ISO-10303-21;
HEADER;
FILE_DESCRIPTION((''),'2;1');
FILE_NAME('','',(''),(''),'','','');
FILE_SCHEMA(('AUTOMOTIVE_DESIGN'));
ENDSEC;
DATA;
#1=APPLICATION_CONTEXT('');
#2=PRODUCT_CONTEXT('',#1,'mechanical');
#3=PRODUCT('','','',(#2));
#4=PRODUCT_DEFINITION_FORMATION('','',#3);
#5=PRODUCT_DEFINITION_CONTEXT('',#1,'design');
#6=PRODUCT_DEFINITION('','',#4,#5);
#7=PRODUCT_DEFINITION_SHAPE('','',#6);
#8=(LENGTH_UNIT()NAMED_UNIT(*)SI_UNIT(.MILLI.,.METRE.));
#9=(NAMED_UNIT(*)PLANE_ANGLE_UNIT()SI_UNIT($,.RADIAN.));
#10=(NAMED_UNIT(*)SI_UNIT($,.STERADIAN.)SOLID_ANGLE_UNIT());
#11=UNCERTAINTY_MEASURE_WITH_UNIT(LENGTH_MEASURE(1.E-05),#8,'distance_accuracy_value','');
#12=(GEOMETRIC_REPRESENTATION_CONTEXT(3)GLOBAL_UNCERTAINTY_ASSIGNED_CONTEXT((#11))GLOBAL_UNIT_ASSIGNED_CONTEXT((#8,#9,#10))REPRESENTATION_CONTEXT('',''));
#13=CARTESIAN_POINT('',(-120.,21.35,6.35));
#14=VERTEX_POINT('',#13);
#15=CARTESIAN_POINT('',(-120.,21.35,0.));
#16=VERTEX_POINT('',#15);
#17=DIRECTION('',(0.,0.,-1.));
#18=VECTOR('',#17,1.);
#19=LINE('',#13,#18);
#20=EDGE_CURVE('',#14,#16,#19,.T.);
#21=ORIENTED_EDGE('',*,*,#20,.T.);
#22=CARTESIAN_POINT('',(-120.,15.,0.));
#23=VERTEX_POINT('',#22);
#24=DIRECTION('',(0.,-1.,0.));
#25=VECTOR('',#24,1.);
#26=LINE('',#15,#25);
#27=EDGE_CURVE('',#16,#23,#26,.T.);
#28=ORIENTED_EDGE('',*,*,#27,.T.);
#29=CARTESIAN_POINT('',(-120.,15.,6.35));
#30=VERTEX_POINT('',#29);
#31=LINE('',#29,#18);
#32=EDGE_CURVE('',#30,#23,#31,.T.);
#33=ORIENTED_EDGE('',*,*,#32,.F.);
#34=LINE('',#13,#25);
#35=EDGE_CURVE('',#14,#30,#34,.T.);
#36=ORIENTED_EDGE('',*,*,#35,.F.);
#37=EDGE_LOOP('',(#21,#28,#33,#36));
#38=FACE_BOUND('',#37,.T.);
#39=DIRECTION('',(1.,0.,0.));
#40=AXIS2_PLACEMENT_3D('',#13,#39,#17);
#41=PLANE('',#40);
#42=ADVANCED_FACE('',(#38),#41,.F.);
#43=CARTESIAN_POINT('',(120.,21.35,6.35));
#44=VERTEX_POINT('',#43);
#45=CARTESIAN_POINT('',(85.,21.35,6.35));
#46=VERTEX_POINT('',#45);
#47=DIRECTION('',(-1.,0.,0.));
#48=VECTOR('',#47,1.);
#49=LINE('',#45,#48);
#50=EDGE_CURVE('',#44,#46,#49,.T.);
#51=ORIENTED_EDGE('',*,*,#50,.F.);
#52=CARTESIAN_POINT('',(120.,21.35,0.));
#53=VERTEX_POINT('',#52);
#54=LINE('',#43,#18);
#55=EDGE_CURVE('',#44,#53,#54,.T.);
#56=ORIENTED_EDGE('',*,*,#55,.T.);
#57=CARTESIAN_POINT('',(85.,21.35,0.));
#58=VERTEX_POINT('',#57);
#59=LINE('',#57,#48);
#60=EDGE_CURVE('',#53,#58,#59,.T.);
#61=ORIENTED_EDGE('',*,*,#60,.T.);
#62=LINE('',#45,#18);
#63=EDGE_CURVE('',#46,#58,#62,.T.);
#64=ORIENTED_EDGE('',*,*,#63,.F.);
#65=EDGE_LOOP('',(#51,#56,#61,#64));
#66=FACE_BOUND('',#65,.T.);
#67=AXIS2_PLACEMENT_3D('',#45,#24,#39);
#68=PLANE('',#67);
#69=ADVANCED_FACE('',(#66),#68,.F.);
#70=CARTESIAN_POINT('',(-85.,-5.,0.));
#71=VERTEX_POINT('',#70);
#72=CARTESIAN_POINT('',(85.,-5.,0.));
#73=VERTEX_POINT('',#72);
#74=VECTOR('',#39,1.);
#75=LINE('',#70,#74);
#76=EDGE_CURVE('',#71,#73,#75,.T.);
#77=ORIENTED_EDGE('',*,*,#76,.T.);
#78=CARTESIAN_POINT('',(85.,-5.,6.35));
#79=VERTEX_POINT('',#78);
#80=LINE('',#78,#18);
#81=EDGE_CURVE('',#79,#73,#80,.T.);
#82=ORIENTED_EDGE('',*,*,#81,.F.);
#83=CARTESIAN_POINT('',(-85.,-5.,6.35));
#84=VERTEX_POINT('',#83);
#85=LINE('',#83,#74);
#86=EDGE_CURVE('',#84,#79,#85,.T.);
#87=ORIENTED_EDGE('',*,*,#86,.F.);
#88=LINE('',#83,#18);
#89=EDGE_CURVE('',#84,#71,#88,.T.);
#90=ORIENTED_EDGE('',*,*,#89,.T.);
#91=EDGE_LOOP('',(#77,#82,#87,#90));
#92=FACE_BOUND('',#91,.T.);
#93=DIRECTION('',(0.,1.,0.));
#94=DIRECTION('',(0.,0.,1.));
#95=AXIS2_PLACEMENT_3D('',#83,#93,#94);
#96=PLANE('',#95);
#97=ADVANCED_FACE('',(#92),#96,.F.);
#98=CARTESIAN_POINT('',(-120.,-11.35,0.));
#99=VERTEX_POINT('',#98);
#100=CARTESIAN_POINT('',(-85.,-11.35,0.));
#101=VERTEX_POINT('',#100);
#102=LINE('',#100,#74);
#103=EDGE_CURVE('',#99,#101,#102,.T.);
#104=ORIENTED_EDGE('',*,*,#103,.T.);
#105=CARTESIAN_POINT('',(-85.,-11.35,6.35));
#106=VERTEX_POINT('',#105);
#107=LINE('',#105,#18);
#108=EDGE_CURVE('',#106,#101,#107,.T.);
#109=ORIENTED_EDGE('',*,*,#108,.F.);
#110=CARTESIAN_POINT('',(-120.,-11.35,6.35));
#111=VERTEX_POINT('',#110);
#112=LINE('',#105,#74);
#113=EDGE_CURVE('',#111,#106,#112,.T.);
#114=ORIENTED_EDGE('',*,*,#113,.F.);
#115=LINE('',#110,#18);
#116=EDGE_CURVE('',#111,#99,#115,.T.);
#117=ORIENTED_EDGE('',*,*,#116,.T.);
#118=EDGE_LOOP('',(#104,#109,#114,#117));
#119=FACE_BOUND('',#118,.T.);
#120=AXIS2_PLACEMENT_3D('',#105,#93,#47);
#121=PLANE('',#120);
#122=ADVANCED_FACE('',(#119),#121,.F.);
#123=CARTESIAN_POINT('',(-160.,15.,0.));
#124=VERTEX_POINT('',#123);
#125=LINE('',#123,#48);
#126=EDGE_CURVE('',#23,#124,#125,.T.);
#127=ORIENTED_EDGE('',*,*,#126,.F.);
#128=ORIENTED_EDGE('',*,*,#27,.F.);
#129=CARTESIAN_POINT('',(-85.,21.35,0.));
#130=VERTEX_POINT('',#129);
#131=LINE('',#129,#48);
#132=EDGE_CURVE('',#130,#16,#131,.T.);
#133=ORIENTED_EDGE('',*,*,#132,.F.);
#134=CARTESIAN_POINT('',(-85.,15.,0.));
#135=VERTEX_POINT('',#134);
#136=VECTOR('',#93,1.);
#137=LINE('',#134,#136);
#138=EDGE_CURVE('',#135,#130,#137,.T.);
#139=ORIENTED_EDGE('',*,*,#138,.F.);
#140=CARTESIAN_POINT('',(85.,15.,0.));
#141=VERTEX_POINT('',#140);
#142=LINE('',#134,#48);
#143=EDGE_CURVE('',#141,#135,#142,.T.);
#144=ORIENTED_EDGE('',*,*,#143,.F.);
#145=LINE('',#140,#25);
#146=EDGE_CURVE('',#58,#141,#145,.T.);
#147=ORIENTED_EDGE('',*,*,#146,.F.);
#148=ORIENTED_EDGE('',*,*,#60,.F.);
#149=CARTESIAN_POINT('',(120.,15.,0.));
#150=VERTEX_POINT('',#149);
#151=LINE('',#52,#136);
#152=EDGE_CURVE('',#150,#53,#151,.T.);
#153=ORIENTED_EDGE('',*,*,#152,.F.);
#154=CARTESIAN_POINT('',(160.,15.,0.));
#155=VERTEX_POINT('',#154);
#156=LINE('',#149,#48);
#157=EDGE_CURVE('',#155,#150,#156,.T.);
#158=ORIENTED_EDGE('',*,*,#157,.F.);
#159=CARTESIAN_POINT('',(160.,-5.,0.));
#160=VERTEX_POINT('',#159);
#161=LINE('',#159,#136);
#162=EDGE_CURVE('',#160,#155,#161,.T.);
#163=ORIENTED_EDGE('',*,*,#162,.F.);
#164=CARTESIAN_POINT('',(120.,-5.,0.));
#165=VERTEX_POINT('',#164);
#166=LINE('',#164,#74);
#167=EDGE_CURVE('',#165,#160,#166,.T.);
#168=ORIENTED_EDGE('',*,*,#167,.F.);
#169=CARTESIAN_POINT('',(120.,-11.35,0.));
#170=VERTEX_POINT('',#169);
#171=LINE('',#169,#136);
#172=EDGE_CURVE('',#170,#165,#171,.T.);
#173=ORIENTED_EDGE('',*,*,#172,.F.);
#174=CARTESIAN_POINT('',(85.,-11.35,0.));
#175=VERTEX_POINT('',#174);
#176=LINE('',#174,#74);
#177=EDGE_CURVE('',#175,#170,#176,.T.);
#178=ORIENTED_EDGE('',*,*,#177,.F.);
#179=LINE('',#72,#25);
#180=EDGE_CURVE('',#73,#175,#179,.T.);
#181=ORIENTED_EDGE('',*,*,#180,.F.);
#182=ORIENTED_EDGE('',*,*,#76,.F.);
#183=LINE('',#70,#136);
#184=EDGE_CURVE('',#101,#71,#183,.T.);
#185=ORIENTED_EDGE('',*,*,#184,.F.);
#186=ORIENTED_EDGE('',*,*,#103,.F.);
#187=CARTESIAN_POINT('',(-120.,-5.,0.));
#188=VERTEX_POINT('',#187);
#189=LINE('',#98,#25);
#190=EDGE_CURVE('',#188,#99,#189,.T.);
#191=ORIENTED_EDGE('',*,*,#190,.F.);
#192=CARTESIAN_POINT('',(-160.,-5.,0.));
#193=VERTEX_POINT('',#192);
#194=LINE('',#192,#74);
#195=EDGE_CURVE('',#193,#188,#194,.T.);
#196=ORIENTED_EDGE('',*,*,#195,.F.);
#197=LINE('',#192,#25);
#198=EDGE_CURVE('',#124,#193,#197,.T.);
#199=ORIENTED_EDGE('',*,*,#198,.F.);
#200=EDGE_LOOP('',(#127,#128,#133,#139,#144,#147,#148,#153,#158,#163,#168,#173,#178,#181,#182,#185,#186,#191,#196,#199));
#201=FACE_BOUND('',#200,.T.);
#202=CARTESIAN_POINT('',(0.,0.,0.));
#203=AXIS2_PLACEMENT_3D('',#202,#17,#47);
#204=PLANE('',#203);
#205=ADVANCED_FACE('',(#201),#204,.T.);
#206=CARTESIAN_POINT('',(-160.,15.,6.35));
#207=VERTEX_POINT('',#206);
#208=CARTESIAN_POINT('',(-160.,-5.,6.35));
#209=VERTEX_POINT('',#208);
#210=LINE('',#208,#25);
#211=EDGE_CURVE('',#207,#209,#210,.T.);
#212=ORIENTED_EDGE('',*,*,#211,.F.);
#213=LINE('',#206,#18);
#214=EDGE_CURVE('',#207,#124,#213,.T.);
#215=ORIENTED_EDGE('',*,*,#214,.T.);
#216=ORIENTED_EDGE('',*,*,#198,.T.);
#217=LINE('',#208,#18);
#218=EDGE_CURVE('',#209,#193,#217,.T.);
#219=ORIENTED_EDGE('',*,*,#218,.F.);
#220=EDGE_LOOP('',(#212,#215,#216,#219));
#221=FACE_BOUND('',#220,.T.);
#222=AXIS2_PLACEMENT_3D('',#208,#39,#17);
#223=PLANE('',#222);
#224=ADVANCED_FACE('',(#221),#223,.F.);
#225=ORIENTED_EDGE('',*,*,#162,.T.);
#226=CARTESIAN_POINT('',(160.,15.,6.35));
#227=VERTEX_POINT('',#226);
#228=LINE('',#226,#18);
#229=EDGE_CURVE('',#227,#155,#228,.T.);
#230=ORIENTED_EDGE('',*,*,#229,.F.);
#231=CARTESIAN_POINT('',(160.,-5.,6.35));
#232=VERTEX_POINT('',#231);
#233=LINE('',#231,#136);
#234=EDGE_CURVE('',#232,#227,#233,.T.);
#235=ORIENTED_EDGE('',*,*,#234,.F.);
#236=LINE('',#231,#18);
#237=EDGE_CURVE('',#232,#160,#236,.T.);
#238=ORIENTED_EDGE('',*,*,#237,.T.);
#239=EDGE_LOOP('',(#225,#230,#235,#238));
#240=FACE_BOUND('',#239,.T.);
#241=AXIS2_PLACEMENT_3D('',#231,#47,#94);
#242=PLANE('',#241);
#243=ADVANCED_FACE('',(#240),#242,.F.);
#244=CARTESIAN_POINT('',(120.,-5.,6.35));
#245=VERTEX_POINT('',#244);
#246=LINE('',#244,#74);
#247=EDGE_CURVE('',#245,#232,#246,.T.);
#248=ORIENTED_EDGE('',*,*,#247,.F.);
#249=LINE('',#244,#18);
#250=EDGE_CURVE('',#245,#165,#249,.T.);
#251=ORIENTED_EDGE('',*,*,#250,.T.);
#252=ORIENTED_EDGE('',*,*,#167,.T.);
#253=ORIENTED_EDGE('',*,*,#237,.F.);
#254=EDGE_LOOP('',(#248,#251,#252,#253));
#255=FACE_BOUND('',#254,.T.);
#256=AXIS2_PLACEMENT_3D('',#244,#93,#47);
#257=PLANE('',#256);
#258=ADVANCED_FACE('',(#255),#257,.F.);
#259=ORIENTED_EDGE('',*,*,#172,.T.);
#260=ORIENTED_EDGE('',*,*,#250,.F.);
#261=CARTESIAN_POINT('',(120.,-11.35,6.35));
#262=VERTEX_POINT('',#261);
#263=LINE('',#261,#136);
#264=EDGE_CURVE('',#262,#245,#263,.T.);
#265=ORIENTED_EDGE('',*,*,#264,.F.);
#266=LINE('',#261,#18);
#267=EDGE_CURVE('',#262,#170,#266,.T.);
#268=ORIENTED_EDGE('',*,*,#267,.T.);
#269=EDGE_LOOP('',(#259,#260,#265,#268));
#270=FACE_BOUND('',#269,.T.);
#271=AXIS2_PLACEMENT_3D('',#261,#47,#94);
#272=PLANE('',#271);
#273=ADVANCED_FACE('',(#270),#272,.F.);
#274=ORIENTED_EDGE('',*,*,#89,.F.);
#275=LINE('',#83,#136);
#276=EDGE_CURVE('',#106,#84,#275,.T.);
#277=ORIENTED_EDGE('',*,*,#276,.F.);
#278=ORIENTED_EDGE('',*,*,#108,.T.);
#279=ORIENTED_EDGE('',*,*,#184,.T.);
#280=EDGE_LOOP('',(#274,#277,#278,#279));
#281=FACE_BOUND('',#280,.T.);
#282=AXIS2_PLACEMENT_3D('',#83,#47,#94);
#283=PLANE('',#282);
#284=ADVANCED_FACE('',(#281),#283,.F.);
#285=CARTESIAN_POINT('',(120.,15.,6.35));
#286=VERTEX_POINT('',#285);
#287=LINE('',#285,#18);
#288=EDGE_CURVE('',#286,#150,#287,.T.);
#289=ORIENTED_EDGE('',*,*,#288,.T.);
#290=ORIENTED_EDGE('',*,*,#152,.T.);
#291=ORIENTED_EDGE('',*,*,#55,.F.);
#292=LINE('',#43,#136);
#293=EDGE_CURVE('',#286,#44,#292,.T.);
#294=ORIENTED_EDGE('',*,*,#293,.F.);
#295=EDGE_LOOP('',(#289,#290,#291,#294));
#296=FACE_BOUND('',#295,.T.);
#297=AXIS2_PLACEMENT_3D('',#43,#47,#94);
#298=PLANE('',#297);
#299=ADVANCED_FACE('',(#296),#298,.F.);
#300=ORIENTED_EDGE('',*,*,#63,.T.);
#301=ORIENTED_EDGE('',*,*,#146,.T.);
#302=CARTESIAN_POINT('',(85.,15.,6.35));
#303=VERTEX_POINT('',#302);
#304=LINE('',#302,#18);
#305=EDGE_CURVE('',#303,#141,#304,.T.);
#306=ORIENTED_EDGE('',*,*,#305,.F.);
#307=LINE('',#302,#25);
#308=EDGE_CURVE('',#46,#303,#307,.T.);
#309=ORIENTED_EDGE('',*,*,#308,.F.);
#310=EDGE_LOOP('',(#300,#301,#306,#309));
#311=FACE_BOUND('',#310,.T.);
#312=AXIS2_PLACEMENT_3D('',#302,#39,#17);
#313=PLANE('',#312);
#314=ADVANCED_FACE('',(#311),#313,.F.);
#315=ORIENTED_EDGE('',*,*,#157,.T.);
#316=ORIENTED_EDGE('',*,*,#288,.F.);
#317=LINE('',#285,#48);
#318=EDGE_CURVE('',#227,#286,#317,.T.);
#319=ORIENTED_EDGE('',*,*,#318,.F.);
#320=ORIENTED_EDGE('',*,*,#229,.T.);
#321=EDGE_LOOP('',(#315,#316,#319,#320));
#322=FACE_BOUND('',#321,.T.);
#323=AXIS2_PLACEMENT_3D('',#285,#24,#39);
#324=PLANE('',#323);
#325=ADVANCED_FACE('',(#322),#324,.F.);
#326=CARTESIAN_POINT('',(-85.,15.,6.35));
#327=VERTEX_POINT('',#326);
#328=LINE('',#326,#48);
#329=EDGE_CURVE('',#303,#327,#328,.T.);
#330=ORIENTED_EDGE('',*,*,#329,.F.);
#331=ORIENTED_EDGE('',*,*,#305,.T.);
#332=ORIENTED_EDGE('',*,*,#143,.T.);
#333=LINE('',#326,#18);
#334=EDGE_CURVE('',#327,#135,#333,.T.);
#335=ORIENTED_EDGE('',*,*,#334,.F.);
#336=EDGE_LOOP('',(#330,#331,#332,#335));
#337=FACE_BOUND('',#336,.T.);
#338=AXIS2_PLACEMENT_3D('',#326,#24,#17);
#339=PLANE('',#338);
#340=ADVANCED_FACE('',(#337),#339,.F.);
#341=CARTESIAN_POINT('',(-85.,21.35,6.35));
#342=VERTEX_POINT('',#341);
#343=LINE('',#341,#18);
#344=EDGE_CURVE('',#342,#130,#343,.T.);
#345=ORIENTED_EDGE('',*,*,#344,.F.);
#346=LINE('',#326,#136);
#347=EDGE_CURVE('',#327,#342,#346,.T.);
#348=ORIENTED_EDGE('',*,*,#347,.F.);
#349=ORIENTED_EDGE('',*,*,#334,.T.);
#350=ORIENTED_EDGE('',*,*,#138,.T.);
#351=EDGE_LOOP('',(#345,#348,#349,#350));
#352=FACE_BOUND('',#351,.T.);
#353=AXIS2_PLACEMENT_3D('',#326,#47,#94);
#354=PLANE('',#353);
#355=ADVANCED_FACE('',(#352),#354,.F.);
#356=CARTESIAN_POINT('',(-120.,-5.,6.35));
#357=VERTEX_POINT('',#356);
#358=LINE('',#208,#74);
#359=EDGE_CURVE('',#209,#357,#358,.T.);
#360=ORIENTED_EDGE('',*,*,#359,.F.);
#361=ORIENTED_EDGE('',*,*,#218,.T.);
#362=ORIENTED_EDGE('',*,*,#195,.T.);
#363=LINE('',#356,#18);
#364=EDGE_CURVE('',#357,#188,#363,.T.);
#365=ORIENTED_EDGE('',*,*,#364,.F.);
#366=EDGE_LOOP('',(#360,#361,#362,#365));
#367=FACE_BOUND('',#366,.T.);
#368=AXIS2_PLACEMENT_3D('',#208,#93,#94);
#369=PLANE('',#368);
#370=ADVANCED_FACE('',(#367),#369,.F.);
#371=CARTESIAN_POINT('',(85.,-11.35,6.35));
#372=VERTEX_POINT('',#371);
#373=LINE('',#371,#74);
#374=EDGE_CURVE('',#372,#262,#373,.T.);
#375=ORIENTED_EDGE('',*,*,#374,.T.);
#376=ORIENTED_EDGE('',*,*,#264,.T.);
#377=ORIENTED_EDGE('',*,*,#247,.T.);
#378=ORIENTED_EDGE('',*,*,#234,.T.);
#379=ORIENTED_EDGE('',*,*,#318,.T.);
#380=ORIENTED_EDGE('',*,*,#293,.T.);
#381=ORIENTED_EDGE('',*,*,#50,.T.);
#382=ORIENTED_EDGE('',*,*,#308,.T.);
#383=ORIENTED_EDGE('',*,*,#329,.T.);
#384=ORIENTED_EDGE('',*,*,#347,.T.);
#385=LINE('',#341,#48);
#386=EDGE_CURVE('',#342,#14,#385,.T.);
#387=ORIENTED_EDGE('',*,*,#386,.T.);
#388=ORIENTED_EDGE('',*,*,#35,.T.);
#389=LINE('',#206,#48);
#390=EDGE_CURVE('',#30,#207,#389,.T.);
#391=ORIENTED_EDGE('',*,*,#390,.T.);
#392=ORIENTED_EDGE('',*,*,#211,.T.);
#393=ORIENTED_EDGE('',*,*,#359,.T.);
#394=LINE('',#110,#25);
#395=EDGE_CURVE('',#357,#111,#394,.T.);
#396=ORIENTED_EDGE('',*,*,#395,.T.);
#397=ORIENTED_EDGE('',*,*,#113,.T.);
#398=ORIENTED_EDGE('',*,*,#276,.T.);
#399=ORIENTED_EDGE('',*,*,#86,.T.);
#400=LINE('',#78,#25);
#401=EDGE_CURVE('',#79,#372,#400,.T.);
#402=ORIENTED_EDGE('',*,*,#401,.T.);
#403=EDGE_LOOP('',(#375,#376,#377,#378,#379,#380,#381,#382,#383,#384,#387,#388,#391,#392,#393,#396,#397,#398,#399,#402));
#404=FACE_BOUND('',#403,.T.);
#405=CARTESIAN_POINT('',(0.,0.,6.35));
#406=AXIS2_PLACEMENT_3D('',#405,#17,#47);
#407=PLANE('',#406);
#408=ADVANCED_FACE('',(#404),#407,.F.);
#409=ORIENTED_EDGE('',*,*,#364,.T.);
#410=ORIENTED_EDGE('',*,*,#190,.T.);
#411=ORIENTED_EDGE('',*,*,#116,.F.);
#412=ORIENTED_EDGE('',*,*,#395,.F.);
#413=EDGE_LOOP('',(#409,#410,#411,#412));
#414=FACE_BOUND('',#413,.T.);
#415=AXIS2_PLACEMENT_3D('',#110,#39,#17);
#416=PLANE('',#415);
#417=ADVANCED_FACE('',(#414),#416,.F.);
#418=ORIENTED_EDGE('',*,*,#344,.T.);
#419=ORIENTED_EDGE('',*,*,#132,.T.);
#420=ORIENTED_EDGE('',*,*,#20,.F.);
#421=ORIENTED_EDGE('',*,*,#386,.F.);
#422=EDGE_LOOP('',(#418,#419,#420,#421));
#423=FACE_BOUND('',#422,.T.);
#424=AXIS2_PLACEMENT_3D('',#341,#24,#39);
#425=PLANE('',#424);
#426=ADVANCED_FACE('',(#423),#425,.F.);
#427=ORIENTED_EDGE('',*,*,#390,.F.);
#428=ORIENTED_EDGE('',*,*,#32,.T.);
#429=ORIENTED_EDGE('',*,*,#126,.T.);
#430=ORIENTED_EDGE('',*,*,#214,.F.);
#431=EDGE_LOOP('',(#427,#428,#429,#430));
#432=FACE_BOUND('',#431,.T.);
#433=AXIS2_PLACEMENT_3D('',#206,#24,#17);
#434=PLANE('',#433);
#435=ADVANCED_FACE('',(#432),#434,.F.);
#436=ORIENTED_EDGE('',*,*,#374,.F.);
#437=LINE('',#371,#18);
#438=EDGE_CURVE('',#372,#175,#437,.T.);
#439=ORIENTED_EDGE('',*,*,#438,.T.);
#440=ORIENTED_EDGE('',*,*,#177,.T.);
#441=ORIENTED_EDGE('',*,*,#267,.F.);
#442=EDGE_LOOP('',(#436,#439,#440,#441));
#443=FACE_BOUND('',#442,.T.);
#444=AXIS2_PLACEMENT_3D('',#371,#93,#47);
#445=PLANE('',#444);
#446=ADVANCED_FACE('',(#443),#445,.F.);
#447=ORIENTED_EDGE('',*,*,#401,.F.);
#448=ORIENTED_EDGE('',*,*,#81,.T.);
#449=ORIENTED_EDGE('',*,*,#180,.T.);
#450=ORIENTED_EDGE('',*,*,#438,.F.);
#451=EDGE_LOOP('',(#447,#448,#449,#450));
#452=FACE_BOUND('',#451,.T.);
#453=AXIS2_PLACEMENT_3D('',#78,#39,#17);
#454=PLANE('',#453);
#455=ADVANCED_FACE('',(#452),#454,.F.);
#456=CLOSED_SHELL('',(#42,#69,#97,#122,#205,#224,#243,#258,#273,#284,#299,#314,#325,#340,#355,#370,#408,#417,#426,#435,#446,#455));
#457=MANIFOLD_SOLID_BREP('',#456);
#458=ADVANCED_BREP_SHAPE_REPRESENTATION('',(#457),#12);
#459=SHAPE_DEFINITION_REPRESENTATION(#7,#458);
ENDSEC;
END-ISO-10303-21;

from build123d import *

# Parameters (mm, degrees)
BOSS_EXTRUDE1_DEPTH = 6.35


with BuildPart() as part:
    # Sketch1 → Boss-Extrude1 (new body)
    with BuildSketch(Plane.XY):
        Polygon((-160, -5), (-120, -5), (-120, -11.35), (-85, -11.35), (-85, -5), (85, -5), (85, -11.35), (120, -11.35), (120, -5), (160, -5), (160, 15), (120, 15), (120, 21.35), (85, 21.35), (85, 15), (-85, 15), (-85, 21.35), (-120, 21.35), (-120, 15), (-160, 15), align=None)
    extrude(amount=BOSS_EXTRUDE1_DEPTH)


solid = part.part
